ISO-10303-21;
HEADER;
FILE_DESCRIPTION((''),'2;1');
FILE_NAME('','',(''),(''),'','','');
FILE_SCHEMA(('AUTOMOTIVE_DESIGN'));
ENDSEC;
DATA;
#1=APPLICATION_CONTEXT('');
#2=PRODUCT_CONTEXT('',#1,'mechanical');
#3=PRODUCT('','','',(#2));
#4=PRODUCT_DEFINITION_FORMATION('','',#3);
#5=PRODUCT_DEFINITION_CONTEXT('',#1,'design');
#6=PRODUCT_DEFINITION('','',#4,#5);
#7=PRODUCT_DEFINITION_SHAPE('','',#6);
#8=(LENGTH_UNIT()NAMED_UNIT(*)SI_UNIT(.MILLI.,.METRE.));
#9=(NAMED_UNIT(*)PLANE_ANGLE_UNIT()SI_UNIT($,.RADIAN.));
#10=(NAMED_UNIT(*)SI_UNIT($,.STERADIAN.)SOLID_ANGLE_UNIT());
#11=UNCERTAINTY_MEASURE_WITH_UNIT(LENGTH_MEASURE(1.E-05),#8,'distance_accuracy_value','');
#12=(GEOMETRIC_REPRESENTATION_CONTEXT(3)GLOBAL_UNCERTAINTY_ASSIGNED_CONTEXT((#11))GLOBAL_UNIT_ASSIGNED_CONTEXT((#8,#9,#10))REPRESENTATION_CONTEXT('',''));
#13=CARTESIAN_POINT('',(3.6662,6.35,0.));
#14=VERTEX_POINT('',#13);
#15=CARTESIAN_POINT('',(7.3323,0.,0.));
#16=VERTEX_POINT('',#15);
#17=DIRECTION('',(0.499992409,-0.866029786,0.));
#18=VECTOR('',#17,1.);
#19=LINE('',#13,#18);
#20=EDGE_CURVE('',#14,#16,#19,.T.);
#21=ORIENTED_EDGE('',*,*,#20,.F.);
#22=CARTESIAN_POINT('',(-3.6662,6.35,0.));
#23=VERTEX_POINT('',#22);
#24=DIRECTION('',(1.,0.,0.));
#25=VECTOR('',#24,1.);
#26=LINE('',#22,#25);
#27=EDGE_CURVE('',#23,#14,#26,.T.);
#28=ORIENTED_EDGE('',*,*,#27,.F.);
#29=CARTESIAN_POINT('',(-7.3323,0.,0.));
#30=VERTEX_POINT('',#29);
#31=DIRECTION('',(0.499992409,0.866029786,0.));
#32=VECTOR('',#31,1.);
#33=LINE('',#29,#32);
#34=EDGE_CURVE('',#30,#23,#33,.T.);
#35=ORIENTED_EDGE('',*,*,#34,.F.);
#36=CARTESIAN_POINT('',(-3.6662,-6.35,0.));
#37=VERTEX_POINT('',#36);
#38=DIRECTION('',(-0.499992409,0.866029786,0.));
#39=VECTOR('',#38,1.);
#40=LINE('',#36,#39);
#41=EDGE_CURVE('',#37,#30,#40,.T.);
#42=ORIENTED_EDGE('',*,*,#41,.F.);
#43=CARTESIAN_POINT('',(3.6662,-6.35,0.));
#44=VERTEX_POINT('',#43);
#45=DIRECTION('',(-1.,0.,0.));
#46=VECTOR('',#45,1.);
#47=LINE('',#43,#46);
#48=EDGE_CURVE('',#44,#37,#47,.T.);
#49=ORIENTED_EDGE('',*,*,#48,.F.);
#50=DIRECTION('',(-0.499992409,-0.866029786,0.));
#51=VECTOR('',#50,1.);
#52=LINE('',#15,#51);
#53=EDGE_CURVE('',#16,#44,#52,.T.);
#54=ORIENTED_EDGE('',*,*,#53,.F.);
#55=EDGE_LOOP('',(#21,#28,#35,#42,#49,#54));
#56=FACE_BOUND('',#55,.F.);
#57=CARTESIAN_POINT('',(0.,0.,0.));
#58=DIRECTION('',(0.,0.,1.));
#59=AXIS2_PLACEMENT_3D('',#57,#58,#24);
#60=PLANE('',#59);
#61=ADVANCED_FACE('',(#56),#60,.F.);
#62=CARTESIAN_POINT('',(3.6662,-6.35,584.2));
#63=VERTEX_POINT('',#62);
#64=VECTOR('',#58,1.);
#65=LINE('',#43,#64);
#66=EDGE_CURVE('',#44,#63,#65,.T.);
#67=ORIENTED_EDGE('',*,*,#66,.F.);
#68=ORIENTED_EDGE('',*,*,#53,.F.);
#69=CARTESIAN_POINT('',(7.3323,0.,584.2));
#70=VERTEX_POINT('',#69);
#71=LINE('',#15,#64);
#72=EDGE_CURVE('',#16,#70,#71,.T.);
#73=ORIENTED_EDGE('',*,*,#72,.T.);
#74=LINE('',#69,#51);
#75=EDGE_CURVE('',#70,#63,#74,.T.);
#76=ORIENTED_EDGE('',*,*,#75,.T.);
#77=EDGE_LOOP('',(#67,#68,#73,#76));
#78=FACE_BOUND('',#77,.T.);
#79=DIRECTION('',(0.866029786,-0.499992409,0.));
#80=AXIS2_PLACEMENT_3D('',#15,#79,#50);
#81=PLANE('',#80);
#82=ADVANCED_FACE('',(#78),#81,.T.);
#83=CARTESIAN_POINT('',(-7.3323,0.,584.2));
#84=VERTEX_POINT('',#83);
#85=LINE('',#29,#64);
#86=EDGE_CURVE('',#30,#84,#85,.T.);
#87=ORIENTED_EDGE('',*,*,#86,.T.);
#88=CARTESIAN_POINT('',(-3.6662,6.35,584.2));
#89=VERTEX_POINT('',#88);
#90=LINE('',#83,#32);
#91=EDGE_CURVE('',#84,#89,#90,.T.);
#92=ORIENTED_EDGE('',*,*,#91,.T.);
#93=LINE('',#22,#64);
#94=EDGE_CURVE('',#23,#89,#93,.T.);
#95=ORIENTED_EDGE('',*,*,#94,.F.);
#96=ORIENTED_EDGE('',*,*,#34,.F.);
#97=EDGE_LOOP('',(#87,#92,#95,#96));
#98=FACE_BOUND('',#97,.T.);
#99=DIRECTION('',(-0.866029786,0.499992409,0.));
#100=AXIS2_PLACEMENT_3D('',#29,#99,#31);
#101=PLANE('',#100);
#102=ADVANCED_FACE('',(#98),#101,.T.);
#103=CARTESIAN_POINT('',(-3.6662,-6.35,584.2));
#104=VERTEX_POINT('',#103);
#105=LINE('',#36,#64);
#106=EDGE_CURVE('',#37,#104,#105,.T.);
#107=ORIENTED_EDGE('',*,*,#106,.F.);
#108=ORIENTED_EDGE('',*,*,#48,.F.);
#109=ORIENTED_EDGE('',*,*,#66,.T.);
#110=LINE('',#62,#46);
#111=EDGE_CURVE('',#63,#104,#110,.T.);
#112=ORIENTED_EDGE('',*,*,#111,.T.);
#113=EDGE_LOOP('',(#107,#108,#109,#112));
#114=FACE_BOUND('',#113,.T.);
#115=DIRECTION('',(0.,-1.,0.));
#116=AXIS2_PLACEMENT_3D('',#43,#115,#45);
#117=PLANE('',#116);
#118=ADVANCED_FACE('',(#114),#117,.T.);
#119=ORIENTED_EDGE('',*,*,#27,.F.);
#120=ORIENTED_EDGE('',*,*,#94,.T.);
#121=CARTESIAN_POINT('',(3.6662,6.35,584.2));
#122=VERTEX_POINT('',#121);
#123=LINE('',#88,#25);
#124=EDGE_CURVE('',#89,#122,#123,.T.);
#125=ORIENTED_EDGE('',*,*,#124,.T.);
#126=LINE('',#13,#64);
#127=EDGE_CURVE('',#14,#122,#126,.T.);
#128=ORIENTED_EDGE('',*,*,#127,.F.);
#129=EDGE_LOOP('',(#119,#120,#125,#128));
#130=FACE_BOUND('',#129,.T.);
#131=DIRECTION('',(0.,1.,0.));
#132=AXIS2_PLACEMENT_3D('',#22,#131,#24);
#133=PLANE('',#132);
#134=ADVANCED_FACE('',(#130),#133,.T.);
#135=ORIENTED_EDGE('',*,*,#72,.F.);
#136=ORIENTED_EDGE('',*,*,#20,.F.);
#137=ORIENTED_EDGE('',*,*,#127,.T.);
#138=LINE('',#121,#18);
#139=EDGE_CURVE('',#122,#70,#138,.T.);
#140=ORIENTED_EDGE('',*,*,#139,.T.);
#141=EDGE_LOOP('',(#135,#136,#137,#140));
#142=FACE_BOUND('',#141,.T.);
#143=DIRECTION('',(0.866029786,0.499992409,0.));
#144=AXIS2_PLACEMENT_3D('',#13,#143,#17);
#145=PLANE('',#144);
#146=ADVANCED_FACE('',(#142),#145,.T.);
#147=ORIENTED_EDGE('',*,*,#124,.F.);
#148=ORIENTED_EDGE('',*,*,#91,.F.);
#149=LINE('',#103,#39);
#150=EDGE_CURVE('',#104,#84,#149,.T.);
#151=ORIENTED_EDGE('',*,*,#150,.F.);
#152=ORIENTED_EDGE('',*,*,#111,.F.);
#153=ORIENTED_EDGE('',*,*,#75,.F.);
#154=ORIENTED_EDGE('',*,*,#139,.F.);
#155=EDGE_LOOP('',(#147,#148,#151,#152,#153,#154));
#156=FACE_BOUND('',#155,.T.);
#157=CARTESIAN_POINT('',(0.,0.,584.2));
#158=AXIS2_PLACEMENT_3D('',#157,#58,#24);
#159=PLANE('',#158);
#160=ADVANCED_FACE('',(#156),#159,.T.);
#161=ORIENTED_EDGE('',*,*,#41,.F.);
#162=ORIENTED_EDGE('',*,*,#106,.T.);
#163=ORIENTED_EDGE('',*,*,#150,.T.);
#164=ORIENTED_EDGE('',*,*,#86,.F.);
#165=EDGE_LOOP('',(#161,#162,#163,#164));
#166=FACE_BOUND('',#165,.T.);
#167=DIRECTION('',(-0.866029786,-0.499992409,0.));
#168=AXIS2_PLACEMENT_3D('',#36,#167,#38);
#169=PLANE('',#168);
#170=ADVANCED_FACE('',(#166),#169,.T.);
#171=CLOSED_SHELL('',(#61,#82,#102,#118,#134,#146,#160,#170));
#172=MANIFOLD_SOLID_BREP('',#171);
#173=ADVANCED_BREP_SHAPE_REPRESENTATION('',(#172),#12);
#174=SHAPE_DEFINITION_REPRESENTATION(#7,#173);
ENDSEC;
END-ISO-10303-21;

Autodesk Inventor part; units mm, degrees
ref_plane "YZ Plane" through (0, 0, 0) normal (1, 0, 0) x (0, 1, 0)
ref_plane "XZ Plane" through (0, 0, 0) normal (0, 1, 0) x (-1, 0, 0)
ref_plane "XY Plane" through (0, 0, 0) normal (0, 0, 1) x (1, 0, 0)
sketch "Sketch1" plane through (0, 0, 0) normal (0, 0, 1) x (1, 0, 0)
  line L0 (3.6662, 6.35) -> (7.3323, 0)
  line L1 (7.3323, 0) -> (3.6662, -6.35)
  line L2 (3.6662, -6.35) -> (-3.6662, -6.35)
  line L3 (-3.6662, -6.35) -> (-7.3323, 0)
  line L4 (-7.3323, 0) -> (-3.6662, 6.35)
  line L5 (-3.6662, 6.35) -> (3.6662, 6.35)
  point P0 (0, 0)
  point P1 (0, 0)
  dimension "d0" = 12.7
extrude "Extrusion1" add sketch "Sketch1" along normal blind 584.2
properties part number "hex rod 23 inch" material "Steel, Alloy"
